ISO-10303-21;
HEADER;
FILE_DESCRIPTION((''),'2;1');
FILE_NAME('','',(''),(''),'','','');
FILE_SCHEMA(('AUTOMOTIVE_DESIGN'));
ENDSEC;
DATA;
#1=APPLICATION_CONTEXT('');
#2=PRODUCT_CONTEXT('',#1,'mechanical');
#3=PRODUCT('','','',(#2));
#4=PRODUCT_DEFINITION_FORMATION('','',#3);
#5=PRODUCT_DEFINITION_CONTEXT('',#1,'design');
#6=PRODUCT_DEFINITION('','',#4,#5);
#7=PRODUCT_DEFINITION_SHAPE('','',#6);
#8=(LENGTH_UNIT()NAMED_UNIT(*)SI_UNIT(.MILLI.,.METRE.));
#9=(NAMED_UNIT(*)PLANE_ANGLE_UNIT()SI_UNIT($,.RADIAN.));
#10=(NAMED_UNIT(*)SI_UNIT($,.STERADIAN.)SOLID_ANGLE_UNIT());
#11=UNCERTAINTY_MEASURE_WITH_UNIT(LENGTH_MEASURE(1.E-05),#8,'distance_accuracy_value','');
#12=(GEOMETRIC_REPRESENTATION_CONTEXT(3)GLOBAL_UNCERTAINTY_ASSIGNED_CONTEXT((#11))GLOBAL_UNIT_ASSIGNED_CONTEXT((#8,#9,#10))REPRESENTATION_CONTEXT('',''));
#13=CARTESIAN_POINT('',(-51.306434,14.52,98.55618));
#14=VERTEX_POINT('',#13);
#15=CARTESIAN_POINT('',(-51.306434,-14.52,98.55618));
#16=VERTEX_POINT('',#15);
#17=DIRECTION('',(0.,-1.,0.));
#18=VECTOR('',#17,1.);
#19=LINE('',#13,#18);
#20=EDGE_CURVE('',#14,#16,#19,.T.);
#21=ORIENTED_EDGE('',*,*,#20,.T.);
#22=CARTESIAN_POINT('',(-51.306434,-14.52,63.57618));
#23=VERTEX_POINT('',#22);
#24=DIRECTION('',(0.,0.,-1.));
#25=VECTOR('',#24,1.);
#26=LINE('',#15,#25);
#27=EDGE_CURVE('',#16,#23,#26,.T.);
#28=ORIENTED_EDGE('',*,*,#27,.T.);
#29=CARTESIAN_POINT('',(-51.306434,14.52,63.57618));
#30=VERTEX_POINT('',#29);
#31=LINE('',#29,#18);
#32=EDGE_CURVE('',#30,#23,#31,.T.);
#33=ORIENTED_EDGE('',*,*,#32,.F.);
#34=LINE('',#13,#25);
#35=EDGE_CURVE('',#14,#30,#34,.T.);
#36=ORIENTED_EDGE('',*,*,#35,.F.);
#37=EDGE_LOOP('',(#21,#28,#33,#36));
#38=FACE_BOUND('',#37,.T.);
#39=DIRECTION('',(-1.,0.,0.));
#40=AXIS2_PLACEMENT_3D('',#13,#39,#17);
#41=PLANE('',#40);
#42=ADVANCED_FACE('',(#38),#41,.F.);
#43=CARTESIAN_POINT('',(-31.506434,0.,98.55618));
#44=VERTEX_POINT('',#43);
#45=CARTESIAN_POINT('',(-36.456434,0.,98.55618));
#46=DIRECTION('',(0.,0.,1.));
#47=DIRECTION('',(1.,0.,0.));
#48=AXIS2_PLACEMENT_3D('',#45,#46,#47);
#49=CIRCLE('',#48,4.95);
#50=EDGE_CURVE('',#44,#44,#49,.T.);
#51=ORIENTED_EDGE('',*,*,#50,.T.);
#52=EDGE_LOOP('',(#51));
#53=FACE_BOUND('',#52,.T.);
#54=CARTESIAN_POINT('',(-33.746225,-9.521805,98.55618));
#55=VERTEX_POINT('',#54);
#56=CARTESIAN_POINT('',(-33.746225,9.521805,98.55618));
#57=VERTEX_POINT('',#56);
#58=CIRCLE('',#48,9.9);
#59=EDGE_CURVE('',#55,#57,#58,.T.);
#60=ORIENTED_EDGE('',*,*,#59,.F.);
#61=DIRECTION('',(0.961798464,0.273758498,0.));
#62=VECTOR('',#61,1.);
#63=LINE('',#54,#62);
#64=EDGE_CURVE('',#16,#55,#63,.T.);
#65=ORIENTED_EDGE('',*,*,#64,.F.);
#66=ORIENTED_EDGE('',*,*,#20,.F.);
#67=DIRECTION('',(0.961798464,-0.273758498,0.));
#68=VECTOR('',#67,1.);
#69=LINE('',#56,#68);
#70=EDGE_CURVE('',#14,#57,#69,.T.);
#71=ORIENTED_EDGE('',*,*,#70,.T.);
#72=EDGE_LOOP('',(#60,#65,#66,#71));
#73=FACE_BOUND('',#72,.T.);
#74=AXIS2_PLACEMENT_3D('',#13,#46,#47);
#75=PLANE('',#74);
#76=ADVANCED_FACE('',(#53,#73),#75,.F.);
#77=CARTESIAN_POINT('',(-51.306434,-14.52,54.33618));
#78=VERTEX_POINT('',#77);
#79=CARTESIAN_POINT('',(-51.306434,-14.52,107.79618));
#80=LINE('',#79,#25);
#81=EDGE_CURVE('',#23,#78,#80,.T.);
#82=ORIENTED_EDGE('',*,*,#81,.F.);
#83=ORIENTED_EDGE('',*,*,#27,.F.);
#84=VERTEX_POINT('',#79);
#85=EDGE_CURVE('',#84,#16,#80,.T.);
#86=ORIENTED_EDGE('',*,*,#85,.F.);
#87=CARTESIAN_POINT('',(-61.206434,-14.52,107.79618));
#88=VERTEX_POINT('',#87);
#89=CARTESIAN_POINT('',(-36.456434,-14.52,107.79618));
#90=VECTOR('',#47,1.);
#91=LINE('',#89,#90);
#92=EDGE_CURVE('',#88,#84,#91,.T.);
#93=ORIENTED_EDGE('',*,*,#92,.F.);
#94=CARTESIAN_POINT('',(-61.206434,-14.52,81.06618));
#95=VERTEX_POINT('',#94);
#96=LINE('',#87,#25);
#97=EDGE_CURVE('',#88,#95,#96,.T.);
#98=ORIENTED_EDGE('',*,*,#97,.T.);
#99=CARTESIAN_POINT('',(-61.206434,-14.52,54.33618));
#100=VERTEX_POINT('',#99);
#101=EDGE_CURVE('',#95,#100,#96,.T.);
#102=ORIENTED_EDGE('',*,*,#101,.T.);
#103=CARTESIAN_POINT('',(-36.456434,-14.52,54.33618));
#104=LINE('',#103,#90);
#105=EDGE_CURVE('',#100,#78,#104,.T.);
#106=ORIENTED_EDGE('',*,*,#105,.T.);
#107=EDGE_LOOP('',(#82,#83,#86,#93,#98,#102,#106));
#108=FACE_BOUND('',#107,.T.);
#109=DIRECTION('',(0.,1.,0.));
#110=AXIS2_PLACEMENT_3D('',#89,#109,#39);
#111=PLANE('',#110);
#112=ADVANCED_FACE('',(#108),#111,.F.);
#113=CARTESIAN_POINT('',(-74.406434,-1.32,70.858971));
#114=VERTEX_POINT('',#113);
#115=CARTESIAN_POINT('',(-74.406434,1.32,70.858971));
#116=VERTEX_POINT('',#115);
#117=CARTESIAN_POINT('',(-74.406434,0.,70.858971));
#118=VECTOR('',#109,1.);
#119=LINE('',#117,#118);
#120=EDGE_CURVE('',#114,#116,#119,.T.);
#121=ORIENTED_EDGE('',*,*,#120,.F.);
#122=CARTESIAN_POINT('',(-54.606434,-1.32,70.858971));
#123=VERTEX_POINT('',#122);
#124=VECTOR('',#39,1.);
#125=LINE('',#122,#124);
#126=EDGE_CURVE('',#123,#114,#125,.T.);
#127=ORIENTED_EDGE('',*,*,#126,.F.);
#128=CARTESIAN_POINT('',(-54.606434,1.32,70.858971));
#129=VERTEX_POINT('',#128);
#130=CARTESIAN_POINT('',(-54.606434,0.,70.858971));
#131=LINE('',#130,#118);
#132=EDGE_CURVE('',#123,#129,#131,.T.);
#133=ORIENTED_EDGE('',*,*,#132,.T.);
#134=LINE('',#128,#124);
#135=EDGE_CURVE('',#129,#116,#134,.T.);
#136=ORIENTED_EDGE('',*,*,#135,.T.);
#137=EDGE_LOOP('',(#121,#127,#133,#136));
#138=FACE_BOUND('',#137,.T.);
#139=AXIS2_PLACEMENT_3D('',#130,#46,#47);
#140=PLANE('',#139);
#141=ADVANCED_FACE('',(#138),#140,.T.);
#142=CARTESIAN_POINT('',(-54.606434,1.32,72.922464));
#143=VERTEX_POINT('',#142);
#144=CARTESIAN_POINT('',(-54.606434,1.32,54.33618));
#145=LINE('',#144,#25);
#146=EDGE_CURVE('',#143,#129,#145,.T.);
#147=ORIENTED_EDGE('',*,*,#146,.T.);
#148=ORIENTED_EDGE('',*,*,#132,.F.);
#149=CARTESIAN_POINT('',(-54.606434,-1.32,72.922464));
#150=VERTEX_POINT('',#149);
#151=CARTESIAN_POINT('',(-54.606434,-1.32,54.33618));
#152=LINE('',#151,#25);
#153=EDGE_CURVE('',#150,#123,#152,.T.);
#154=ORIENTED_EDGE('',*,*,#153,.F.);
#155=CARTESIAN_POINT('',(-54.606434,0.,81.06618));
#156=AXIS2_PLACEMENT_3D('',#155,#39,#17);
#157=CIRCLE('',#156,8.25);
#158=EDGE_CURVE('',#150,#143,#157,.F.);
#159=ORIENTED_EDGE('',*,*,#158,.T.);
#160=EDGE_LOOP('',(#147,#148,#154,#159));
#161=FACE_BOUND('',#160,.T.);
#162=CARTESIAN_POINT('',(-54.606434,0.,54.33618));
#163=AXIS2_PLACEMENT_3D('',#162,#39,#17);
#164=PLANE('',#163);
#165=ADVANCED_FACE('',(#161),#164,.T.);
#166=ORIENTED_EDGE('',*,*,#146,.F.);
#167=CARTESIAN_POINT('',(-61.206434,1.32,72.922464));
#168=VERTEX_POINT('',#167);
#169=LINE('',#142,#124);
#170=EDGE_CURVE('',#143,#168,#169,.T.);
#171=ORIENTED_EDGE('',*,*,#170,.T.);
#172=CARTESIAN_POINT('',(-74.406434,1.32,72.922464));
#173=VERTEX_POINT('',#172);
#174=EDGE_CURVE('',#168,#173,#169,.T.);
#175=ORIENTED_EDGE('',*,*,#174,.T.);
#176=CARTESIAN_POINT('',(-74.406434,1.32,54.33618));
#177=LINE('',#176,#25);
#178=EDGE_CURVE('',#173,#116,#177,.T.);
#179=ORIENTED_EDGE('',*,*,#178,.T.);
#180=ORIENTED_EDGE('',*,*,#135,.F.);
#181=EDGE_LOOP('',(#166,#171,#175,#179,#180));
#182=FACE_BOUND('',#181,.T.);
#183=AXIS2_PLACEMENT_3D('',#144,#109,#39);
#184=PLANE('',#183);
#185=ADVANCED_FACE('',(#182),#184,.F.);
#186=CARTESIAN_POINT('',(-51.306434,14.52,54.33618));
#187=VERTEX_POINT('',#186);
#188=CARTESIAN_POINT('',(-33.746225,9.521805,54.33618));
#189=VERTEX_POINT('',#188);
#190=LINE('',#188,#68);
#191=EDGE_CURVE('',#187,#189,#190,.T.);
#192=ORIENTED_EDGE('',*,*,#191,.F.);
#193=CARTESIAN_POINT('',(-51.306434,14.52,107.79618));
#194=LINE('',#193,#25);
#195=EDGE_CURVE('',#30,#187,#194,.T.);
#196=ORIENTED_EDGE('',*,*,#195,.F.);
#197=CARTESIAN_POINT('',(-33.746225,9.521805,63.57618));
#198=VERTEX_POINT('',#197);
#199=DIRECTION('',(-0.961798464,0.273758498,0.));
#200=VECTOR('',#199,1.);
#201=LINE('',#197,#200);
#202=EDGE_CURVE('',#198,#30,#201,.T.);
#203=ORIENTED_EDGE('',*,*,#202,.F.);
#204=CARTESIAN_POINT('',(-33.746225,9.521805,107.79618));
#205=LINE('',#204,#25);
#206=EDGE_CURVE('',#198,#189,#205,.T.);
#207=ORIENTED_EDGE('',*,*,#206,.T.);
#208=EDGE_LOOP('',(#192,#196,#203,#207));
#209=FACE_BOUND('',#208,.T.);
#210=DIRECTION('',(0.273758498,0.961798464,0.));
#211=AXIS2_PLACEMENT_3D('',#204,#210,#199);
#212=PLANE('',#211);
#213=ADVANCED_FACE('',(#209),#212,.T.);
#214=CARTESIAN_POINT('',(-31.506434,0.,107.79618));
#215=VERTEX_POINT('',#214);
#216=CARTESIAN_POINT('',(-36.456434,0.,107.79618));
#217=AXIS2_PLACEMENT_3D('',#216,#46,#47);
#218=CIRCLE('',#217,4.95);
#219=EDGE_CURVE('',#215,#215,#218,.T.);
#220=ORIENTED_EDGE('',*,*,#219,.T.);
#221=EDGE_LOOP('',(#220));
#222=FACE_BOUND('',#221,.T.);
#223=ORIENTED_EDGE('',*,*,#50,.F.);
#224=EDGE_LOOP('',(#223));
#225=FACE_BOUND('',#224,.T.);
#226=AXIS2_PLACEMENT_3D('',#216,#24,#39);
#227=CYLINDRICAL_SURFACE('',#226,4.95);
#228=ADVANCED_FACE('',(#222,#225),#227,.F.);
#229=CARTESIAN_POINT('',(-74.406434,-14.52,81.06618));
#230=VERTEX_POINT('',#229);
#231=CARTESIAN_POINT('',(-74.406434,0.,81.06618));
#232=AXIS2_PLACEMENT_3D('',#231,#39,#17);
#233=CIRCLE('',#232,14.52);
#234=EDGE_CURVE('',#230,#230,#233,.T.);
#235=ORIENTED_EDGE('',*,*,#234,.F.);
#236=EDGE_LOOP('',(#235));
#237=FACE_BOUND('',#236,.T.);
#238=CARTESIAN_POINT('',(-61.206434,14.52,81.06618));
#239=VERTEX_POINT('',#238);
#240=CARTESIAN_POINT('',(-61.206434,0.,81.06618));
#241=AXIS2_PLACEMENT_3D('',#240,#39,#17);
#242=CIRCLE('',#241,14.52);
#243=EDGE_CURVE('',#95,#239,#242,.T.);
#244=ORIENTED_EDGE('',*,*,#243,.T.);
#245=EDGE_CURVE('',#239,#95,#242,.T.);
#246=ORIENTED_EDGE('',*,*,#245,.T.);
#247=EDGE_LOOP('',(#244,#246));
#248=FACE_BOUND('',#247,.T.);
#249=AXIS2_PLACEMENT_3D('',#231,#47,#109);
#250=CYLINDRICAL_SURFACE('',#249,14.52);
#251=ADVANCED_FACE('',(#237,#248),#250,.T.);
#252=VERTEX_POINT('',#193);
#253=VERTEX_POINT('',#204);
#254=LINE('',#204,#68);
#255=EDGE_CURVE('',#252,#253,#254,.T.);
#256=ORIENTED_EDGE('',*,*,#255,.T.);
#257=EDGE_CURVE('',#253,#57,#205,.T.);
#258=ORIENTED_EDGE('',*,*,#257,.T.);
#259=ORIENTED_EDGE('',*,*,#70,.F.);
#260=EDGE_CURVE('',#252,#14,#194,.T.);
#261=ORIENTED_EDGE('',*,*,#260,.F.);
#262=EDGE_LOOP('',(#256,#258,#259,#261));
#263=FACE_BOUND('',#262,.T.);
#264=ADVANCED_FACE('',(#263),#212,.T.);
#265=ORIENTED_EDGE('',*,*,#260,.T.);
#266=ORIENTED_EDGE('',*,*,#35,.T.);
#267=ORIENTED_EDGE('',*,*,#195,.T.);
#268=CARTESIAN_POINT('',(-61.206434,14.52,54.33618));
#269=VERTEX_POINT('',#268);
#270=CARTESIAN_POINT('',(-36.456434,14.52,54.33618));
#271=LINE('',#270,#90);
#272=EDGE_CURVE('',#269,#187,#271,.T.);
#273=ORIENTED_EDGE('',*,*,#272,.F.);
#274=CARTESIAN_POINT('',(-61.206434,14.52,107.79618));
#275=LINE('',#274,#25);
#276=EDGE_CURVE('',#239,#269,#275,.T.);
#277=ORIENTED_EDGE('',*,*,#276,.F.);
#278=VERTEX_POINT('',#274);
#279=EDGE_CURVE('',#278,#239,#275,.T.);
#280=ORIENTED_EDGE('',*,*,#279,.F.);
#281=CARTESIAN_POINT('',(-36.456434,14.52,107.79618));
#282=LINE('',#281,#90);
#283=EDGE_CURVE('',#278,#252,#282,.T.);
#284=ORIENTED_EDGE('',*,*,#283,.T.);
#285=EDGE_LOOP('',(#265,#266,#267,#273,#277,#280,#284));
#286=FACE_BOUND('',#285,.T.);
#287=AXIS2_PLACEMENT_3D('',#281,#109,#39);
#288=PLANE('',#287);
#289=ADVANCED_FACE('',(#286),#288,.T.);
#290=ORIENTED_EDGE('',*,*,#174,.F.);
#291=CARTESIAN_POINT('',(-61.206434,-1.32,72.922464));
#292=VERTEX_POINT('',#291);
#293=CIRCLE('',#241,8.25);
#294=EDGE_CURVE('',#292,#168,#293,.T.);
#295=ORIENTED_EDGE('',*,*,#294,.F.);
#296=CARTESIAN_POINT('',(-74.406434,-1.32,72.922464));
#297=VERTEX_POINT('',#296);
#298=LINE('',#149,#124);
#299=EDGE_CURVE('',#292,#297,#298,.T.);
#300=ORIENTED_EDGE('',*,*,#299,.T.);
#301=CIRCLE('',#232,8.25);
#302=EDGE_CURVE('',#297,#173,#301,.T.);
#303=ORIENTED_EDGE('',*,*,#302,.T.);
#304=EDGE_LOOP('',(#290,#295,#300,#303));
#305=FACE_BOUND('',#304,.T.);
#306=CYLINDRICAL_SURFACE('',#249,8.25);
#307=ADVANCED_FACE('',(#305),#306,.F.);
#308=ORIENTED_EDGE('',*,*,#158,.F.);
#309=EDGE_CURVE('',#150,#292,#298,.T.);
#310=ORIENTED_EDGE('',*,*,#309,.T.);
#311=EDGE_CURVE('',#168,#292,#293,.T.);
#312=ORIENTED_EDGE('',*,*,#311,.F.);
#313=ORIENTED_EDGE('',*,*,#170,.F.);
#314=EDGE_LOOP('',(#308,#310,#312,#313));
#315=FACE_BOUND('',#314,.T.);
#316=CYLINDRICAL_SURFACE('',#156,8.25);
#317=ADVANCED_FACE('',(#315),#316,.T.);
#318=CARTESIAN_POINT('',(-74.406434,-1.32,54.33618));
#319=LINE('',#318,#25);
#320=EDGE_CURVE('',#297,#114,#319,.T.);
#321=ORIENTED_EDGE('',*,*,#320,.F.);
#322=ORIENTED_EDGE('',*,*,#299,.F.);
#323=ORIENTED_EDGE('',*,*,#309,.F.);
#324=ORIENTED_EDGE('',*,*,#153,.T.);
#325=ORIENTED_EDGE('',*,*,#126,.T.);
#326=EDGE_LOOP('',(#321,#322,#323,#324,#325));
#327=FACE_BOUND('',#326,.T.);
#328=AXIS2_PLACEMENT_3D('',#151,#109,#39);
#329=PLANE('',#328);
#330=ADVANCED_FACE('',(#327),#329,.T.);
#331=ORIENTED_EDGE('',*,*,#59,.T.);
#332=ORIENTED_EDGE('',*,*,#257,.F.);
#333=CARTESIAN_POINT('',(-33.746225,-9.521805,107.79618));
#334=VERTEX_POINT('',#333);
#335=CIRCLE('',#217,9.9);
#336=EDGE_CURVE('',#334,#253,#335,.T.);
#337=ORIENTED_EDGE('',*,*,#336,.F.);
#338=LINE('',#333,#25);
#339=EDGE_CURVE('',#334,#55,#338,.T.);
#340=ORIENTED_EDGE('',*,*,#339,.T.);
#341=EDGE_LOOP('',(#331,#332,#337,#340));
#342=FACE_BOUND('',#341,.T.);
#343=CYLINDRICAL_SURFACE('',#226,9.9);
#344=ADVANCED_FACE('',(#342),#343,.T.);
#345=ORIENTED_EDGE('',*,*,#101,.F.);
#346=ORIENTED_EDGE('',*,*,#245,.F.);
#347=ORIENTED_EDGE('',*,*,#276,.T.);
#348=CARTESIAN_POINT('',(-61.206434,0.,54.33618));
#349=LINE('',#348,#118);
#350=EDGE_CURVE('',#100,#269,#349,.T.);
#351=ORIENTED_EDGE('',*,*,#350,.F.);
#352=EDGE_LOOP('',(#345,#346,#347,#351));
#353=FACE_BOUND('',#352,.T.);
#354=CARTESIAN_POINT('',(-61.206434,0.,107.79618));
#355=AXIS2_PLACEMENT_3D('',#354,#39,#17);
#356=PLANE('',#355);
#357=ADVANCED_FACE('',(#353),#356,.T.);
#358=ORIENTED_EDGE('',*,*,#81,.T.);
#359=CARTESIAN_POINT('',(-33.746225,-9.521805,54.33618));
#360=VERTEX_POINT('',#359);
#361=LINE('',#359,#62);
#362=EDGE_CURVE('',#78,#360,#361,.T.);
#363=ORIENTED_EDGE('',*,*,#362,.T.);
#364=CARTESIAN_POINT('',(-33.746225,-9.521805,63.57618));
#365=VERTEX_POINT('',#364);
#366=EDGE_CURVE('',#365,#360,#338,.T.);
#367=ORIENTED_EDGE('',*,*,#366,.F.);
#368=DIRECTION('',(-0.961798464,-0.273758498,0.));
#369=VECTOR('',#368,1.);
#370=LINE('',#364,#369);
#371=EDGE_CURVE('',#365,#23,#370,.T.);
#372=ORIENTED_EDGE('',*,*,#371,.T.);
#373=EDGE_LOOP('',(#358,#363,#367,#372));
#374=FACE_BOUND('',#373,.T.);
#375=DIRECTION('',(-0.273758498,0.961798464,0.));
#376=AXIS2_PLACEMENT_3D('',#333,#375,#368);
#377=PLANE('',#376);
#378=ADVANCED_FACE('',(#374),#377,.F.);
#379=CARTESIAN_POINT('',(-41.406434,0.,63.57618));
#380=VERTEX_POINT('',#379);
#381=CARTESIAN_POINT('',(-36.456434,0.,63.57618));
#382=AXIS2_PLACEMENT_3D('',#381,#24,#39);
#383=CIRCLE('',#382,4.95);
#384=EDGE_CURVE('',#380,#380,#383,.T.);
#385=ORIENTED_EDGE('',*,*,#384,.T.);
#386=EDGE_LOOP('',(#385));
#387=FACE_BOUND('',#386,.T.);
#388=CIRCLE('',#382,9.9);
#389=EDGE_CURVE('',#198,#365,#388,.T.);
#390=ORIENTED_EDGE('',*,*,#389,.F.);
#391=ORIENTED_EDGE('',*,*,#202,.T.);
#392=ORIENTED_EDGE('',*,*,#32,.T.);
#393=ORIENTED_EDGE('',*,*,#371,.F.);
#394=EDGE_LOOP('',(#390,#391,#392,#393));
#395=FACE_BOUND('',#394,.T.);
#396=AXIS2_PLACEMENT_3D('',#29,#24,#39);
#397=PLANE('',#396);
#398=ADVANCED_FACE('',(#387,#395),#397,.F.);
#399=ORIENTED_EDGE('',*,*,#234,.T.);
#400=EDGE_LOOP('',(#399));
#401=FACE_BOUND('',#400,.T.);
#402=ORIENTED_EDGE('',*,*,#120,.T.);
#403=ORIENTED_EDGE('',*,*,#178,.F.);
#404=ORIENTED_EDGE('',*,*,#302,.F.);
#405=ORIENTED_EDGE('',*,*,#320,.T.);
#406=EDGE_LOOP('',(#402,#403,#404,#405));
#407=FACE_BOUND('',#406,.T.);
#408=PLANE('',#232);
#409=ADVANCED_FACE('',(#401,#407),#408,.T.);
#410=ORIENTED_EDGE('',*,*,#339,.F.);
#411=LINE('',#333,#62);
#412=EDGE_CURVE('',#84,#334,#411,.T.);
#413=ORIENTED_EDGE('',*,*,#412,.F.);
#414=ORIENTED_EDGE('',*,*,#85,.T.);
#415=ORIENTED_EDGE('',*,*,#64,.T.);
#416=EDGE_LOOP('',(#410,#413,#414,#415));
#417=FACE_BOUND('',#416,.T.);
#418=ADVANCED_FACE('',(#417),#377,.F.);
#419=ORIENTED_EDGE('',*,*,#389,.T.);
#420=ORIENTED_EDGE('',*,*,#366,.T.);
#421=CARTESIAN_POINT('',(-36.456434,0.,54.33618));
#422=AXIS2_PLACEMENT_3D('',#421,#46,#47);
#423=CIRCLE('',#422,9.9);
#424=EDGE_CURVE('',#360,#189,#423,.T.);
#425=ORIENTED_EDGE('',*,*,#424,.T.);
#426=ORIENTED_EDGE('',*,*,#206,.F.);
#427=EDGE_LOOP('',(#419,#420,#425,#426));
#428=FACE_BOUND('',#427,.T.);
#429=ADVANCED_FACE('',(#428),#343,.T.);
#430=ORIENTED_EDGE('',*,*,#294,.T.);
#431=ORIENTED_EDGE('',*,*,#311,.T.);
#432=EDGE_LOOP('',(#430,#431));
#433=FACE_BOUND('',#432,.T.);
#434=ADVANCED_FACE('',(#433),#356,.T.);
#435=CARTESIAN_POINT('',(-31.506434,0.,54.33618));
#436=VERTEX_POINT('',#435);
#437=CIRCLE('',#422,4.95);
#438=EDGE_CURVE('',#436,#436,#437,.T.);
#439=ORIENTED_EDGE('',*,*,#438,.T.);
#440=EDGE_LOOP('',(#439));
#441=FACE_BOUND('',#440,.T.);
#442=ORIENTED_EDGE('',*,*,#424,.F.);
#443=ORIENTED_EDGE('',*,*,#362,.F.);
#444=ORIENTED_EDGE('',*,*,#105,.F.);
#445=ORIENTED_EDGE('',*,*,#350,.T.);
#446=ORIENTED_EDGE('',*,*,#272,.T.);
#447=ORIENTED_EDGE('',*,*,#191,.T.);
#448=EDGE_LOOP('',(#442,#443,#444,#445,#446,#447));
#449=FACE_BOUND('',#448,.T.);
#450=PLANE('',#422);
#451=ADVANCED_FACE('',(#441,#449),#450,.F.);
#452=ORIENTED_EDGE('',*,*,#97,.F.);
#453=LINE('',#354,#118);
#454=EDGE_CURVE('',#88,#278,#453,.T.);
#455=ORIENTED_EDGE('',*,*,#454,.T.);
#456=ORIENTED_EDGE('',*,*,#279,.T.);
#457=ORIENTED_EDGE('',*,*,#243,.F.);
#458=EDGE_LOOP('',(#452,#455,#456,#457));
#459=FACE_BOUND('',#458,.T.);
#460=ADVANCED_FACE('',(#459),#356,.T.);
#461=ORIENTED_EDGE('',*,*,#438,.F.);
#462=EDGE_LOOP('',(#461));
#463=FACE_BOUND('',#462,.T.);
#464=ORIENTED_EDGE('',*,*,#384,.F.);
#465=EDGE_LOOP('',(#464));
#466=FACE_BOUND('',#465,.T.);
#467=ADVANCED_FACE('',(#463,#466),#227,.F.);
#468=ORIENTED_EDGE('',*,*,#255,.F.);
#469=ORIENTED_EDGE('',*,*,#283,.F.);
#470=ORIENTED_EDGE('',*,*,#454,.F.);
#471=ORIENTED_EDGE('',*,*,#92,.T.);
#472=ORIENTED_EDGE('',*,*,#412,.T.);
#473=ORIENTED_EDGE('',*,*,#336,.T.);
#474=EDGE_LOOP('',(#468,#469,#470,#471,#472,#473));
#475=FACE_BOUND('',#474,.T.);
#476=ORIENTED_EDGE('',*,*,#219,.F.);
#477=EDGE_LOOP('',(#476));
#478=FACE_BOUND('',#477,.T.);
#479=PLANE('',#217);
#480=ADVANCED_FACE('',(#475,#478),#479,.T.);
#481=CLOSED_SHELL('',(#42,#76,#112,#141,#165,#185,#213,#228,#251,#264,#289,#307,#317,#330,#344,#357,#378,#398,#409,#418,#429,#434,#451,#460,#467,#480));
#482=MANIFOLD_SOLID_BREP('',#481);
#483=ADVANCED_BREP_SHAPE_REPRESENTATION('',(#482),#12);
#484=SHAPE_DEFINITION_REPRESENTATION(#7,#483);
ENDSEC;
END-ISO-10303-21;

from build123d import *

# Parameters (mm, degrees)
SKETCH2_R           = 15
BOSS_EXTRUDE1_DEPTH = 162
SKETCH3_W           = 75
SKETCH3_H           = 106
CUT_EXTRUDE1_DEPTH  = 200.03014847
SKETCH4_R           = 44
SKETCH4_R_2         = 25
BOSS_EXTRUDE2_DEPTH = 40
CUT_EXTRUDE5_START  = -60
CUT_EXTRUDE5_DEPTH  = 60
SCALE1_SCALE        = 0.33


with BuildPart() as part:
    # Sketch2 → Boss-Extrude1 (new body)
    with BuildSketch(Plane.XY):
        with BuildLine():
            Line((-75, -44), (-45, -44))
            Line((-45, -44), (8.212754936, -28.853953912))
            ThreePointArc((8.212754936, -28.853953912), (30, 0), (8.212754936, 28.853953912))
            Line((8.212754936, 28.853953912), (-45, 44))
            Line((-45, 44), (-75, 44))
            Line((-75, 44), (-75, -44))
        make_face()
        Circle(SKETCH2_R, mode=Mode.SUBTRACT)
    extrude(amount=BOSS_EXTRUDE1_DEPTH)

    # Sketch3 → Cut-Extrude1 (cut, through all)
    with BuildSketch(Plane.XZ.offset(44)):
        with Locations((-7.5, 81)):
            Rectangle(SKETCH3_W, SKETCH3_H)
    extrude(amount=-CUT_EXTRUDE1_DEPTH, mode=Mode.SUBTRACT)

    # Sketch4 → Boss-Extrude2 (add)
    with BuildSketch(Plane.ZY.offset(75)):
        with Locations(Location((81, 0, 0), (0, 0, 270))):
            Circle(SKETCH4_R)
        with Locations(Location((81, 0, 0), (0, 0, 270))):
            Circle(SKETCH4_R_2, mode=Mode.SUBTRACT)
    extrude(amount=BOSS_EXTRUDE2_DEPTH)

    # Sketch7 → Cut-Extrude5 (cut)
    with BuildSketch(Plane.ZY.offset(115).offset(CUT_EXTRUDE5_START)):
        with BuildLine():
            Line((50.06906521, -4), (56.322074641, -4))
            ThreePointArc((56.322074641, -4), (56, 0), (56.322074641, 4))
            Line((56.322074641, 4), (50.06906521, 4))
            Line((50.06906521, 4), (50.06906521, -4))
        make_face()
    extrude(amount=CUT_EXTRUDE5_DEPTH, mode=Mode.SUBTRACT)


with BuildPart() as part_1:
    # Scale1: scaled about (-54.412588294, 0, 81.098775435)
    add(part.part.scale(SCALE1_SCALE).moved(Location((-36.456434157, 0, 54.336179541))))


solid = part_1.part
